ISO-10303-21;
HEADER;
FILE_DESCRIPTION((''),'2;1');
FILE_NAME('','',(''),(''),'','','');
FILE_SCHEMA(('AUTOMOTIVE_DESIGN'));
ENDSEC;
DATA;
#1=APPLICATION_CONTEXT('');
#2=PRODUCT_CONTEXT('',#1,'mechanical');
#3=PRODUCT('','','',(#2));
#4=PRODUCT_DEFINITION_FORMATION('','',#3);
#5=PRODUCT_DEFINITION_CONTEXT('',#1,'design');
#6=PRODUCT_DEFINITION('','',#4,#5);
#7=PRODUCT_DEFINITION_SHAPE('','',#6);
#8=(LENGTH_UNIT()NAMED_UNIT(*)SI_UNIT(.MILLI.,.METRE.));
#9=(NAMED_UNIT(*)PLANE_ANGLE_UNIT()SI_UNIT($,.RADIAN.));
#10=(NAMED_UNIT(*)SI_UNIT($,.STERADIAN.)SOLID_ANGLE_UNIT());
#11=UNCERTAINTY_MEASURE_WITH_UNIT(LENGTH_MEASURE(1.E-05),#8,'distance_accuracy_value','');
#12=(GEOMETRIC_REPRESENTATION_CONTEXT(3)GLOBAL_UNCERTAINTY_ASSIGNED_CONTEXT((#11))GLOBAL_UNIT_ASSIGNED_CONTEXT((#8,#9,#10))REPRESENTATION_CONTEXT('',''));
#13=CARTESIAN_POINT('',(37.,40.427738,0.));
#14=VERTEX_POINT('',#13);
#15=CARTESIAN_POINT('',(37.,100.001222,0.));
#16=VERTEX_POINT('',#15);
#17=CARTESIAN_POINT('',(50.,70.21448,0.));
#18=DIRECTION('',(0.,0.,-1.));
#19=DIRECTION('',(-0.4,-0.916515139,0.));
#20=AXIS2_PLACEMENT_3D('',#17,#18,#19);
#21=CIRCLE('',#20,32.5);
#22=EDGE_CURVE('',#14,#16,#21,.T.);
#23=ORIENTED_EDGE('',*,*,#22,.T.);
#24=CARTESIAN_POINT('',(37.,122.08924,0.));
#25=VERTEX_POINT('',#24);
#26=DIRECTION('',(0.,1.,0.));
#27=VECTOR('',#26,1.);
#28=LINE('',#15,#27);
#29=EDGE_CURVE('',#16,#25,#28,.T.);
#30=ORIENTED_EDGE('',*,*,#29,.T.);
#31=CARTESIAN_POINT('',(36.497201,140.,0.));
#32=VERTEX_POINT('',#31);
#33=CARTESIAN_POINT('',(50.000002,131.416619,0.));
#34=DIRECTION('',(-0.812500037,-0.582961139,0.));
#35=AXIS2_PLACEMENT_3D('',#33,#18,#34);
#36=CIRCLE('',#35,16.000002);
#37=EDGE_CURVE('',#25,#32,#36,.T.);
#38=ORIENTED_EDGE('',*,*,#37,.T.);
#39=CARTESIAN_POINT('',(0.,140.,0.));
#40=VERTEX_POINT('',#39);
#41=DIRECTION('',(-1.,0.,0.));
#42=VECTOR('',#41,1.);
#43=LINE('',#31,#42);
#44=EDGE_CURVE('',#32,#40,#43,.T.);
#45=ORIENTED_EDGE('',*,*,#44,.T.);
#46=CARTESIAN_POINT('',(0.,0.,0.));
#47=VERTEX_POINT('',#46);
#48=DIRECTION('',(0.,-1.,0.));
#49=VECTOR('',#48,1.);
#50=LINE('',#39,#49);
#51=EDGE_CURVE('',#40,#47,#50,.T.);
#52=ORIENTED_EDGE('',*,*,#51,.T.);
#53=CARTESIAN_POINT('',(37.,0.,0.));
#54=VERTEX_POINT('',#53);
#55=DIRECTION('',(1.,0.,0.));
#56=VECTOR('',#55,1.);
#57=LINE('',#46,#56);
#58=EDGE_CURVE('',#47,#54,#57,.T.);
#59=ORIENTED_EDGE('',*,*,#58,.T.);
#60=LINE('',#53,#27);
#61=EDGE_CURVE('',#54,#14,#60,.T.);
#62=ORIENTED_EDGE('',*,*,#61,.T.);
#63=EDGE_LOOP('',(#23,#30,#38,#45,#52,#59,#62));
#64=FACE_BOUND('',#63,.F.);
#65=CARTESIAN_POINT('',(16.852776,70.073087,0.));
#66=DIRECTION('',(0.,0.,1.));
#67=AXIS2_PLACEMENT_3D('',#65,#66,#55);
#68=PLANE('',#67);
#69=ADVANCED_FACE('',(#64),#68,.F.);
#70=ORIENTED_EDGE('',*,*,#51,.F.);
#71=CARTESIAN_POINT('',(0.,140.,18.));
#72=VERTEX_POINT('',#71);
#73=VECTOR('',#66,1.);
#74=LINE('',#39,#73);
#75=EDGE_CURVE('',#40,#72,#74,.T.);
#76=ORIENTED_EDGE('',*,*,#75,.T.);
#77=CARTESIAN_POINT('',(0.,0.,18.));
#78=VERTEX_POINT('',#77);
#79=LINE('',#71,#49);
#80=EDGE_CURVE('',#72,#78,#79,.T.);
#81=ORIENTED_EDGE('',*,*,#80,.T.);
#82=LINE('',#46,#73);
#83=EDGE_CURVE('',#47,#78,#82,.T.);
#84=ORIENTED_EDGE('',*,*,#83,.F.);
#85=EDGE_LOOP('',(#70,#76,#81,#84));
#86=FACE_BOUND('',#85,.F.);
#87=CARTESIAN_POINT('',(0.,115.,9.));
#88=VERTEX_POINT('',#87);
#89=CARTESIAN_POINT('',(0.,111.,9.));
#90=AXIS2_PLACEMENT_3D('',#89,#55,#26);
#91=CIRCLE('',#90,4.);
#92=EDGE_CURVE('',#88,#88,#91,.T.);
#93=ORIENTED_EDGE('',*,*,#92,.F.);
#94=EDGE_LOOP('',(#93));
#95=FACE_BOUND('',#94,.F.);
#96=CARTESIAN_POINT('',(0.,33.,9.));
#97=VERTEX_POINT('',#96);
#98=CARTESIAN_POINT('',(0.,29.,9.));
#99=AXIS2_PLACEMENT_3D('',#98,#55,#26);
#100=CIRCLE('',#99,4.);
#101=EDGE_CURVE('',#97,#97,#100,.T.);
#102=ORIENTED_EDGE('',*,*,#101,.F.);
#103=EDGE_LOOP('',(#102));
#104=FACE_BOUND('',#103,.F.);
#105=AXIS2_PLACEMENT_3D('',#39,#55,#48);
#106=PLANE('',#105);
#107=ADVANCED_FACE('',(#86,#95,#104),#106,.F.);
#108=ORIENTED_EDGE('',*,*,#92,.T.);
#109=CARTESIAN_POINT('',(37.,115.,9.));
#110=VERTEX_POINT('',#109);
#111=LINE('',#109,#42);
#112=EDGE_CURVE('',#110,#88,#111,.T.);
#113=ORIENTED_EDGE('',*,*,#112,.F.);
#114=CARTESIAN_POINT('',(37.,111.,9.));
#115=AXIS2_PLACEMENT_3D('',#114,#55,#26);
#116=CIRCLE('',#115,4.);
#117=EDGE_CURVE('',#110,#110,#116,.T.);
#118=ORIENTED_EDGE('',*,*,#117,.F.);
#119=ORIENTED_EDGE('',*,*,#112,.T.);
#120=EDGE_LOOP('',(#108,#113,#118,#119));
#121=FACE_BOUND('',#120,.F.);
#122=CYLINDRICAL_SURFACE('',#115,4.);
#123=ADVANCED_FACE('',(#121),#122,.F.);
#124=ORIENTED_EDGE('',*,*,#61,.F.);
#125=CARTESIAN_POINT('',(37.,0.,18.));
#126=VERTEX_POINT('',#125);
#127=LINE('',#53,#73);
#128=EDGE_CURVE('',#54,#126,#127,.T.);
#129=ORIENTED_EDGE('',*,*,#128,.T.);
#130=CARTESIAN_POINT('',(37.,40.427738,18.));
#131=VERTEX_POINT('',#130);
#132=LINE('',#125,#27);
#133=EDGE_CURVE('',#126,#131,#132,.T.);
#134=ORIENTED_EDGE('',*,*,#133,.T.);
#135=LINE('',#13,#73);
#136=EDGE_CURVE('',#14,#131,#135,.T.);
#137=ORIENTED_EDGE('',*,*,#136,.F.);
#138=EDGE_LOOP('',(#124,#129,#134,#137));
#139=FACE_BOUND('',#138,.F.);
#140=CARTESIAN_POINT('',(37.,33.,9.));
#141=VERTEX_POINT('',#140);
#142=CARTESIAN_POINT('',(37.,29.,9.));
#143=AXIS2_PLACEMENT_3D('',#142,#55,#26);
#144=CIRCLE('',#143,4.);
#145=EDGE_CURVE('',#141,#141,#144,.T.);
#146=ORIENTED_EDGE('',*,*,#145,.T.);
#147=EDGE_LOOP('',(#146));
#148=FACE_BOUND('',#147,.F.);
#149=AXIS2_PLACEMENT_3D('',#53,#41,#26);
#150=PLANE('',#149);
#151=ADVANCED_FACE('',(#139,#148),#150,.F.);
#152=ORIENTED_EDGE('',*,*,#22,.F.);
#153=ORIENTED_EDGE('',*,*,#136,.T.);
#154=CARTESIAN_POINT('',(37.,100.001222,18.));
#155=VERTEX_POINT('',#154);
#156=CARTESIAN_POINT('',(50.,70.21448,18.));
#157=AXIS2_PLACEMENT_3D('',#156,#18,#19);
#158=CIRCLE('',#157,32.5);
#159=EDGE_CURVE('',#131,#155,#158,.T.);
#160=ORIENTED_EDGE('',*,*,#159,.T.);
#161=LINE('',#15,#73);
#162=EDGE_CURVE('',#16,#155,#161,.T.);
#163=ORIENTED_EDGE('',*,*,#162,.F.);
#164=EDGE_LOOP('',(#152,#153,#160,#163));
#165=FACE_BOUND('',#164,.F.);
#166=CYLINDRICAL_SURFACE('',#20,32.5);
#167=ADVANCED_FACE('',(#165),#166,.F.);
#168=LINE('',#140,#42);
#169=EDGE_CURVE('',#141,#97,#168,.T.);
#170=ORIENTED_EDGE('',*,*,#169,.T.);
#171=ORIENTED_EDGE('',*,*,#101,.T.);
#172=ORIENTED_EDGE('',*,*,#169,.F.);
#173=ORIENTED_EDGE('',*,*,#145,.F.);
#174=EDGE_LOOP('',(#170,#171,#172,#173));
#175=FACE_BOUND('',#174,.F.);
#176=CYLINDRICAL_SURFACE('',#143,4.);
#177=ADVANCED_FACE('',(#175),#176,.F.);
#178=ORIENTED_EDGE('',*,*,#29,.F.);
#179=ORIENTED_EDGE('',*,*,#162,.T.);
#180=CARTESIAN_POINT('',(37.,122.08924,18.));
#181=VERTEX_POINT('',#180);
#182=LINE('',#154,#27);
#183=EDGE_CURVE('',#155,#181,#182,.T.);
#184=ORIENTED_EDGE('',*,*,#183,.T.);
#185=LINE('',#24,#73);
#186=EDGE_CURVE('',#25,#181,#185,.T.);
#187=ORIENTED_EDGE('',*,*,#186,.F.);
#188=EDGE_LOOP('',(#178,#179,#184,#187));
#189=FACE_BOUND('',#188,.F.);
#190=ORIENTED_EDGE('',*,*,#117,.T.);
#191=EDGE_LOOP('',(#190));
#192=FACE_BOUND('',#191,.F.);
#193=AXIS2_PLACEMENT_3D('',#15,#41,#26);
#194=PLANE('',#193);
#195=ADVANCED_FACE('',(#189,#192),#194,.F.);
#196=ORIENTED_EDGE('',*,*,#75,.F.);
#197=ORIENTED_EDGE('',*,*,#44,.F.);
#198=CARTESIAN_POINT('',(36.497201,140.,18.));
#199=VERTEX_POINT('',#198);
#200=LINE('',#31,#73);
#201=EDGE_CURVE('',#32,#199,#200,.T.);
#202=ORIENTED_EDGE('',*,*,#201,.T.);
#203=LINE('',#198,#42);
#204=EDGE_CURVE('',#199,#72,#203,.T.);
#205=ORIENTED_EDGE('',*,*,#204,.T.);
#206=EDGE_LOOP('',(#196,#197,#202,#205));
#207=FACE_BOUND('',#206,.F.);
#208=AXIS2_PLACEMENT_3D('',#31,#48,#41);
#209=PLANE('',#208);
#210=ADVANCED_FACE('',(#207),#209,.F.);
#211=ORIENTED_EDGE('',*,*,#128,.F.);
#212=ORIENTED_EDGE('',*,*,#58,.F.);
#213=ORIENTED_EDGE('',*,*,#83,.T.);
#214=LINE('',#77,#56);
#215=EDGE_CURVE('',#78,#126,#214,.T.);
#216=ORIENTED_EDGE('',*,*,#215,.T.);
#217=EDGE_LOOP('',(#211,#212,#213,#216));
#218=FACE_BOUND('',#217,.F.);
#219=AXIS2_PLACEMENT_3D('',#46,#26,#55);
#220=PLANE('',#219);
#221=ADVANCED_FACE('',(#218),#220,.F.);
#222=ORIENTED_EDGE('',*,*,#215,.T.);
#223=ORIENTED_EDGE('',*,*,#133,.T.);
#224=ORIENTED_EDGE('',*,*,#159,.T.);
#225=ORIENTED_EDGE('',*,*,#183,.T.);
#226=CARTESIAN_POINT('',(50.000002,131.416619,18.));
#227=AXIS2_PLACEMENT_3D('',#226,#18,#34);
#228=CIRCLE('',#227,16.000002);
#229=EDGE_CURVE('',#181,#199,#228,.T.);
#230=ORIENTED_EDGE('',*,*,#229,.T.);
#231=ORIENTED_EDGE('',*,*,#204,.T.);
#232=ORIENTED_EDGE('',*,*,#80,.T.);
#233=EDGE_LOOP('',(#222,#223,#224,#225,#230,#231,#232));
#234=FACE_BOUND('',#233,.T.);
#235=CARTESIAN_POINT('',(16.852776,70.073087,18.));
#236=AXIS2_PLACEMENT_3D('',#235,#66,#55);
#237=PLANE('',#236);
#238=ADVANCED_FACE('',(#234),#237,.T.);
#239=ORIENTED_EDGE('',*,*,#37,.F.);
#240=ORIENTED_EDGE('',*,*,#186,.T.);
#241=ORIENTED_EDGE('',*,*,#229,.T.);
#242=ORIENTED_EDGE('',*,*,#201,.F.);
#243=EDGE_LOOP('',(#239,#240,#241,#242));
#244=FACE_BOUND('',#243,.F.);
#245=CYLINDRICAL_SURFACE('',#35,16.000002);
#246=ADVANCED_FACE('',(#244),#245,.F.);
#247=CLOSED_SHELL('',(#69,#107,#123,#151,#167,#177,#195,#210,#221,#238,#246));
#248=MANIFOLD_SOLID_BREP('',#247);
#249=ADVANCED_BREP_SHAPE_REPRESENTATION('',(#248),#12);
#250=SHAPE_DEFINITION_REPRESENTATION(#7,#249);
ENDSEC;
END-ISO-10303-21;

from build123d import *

# Parameters (mm, degrees)
F1_DEPTH = 18
F2_R     = 4
F3_DEPTH = 37.001


with BuildPart() as f1:
    # F0 (on Top) → F1 (new body)
    with BuildSketch(Plane.XY):
        with BuildLine():
            Line((0, 140), (0, 0))
            Line((0, 0), (37, 0))
            Line((37, 0), (37, 40.427738))
            ThreePointArc((37, 40.427738), (17.5, 70.21448), (37, 100.001222))
            Line((37, 100.001222), (37, 122.08924))
            ThreePointArc((37, 122.08924), (34.006301, 130.967637), (36.497201, 140))
            Line((36.497201, 140), (0, 140))
        make_face()
    extrude(amount=F1_DEPTH)

    # F2 (on face) → F3 (cut, through all)
    with BuildSketch(Plane.YZ.offset(37)):
        with Locations((111, 9)):
            Circle(F2_R)
        with Locations((29, 9)):
            Circle(F2_R)
    extrude(amount=-F3_DEPTH, mode=Mode.SUBTRACT)


solid = f1.part
